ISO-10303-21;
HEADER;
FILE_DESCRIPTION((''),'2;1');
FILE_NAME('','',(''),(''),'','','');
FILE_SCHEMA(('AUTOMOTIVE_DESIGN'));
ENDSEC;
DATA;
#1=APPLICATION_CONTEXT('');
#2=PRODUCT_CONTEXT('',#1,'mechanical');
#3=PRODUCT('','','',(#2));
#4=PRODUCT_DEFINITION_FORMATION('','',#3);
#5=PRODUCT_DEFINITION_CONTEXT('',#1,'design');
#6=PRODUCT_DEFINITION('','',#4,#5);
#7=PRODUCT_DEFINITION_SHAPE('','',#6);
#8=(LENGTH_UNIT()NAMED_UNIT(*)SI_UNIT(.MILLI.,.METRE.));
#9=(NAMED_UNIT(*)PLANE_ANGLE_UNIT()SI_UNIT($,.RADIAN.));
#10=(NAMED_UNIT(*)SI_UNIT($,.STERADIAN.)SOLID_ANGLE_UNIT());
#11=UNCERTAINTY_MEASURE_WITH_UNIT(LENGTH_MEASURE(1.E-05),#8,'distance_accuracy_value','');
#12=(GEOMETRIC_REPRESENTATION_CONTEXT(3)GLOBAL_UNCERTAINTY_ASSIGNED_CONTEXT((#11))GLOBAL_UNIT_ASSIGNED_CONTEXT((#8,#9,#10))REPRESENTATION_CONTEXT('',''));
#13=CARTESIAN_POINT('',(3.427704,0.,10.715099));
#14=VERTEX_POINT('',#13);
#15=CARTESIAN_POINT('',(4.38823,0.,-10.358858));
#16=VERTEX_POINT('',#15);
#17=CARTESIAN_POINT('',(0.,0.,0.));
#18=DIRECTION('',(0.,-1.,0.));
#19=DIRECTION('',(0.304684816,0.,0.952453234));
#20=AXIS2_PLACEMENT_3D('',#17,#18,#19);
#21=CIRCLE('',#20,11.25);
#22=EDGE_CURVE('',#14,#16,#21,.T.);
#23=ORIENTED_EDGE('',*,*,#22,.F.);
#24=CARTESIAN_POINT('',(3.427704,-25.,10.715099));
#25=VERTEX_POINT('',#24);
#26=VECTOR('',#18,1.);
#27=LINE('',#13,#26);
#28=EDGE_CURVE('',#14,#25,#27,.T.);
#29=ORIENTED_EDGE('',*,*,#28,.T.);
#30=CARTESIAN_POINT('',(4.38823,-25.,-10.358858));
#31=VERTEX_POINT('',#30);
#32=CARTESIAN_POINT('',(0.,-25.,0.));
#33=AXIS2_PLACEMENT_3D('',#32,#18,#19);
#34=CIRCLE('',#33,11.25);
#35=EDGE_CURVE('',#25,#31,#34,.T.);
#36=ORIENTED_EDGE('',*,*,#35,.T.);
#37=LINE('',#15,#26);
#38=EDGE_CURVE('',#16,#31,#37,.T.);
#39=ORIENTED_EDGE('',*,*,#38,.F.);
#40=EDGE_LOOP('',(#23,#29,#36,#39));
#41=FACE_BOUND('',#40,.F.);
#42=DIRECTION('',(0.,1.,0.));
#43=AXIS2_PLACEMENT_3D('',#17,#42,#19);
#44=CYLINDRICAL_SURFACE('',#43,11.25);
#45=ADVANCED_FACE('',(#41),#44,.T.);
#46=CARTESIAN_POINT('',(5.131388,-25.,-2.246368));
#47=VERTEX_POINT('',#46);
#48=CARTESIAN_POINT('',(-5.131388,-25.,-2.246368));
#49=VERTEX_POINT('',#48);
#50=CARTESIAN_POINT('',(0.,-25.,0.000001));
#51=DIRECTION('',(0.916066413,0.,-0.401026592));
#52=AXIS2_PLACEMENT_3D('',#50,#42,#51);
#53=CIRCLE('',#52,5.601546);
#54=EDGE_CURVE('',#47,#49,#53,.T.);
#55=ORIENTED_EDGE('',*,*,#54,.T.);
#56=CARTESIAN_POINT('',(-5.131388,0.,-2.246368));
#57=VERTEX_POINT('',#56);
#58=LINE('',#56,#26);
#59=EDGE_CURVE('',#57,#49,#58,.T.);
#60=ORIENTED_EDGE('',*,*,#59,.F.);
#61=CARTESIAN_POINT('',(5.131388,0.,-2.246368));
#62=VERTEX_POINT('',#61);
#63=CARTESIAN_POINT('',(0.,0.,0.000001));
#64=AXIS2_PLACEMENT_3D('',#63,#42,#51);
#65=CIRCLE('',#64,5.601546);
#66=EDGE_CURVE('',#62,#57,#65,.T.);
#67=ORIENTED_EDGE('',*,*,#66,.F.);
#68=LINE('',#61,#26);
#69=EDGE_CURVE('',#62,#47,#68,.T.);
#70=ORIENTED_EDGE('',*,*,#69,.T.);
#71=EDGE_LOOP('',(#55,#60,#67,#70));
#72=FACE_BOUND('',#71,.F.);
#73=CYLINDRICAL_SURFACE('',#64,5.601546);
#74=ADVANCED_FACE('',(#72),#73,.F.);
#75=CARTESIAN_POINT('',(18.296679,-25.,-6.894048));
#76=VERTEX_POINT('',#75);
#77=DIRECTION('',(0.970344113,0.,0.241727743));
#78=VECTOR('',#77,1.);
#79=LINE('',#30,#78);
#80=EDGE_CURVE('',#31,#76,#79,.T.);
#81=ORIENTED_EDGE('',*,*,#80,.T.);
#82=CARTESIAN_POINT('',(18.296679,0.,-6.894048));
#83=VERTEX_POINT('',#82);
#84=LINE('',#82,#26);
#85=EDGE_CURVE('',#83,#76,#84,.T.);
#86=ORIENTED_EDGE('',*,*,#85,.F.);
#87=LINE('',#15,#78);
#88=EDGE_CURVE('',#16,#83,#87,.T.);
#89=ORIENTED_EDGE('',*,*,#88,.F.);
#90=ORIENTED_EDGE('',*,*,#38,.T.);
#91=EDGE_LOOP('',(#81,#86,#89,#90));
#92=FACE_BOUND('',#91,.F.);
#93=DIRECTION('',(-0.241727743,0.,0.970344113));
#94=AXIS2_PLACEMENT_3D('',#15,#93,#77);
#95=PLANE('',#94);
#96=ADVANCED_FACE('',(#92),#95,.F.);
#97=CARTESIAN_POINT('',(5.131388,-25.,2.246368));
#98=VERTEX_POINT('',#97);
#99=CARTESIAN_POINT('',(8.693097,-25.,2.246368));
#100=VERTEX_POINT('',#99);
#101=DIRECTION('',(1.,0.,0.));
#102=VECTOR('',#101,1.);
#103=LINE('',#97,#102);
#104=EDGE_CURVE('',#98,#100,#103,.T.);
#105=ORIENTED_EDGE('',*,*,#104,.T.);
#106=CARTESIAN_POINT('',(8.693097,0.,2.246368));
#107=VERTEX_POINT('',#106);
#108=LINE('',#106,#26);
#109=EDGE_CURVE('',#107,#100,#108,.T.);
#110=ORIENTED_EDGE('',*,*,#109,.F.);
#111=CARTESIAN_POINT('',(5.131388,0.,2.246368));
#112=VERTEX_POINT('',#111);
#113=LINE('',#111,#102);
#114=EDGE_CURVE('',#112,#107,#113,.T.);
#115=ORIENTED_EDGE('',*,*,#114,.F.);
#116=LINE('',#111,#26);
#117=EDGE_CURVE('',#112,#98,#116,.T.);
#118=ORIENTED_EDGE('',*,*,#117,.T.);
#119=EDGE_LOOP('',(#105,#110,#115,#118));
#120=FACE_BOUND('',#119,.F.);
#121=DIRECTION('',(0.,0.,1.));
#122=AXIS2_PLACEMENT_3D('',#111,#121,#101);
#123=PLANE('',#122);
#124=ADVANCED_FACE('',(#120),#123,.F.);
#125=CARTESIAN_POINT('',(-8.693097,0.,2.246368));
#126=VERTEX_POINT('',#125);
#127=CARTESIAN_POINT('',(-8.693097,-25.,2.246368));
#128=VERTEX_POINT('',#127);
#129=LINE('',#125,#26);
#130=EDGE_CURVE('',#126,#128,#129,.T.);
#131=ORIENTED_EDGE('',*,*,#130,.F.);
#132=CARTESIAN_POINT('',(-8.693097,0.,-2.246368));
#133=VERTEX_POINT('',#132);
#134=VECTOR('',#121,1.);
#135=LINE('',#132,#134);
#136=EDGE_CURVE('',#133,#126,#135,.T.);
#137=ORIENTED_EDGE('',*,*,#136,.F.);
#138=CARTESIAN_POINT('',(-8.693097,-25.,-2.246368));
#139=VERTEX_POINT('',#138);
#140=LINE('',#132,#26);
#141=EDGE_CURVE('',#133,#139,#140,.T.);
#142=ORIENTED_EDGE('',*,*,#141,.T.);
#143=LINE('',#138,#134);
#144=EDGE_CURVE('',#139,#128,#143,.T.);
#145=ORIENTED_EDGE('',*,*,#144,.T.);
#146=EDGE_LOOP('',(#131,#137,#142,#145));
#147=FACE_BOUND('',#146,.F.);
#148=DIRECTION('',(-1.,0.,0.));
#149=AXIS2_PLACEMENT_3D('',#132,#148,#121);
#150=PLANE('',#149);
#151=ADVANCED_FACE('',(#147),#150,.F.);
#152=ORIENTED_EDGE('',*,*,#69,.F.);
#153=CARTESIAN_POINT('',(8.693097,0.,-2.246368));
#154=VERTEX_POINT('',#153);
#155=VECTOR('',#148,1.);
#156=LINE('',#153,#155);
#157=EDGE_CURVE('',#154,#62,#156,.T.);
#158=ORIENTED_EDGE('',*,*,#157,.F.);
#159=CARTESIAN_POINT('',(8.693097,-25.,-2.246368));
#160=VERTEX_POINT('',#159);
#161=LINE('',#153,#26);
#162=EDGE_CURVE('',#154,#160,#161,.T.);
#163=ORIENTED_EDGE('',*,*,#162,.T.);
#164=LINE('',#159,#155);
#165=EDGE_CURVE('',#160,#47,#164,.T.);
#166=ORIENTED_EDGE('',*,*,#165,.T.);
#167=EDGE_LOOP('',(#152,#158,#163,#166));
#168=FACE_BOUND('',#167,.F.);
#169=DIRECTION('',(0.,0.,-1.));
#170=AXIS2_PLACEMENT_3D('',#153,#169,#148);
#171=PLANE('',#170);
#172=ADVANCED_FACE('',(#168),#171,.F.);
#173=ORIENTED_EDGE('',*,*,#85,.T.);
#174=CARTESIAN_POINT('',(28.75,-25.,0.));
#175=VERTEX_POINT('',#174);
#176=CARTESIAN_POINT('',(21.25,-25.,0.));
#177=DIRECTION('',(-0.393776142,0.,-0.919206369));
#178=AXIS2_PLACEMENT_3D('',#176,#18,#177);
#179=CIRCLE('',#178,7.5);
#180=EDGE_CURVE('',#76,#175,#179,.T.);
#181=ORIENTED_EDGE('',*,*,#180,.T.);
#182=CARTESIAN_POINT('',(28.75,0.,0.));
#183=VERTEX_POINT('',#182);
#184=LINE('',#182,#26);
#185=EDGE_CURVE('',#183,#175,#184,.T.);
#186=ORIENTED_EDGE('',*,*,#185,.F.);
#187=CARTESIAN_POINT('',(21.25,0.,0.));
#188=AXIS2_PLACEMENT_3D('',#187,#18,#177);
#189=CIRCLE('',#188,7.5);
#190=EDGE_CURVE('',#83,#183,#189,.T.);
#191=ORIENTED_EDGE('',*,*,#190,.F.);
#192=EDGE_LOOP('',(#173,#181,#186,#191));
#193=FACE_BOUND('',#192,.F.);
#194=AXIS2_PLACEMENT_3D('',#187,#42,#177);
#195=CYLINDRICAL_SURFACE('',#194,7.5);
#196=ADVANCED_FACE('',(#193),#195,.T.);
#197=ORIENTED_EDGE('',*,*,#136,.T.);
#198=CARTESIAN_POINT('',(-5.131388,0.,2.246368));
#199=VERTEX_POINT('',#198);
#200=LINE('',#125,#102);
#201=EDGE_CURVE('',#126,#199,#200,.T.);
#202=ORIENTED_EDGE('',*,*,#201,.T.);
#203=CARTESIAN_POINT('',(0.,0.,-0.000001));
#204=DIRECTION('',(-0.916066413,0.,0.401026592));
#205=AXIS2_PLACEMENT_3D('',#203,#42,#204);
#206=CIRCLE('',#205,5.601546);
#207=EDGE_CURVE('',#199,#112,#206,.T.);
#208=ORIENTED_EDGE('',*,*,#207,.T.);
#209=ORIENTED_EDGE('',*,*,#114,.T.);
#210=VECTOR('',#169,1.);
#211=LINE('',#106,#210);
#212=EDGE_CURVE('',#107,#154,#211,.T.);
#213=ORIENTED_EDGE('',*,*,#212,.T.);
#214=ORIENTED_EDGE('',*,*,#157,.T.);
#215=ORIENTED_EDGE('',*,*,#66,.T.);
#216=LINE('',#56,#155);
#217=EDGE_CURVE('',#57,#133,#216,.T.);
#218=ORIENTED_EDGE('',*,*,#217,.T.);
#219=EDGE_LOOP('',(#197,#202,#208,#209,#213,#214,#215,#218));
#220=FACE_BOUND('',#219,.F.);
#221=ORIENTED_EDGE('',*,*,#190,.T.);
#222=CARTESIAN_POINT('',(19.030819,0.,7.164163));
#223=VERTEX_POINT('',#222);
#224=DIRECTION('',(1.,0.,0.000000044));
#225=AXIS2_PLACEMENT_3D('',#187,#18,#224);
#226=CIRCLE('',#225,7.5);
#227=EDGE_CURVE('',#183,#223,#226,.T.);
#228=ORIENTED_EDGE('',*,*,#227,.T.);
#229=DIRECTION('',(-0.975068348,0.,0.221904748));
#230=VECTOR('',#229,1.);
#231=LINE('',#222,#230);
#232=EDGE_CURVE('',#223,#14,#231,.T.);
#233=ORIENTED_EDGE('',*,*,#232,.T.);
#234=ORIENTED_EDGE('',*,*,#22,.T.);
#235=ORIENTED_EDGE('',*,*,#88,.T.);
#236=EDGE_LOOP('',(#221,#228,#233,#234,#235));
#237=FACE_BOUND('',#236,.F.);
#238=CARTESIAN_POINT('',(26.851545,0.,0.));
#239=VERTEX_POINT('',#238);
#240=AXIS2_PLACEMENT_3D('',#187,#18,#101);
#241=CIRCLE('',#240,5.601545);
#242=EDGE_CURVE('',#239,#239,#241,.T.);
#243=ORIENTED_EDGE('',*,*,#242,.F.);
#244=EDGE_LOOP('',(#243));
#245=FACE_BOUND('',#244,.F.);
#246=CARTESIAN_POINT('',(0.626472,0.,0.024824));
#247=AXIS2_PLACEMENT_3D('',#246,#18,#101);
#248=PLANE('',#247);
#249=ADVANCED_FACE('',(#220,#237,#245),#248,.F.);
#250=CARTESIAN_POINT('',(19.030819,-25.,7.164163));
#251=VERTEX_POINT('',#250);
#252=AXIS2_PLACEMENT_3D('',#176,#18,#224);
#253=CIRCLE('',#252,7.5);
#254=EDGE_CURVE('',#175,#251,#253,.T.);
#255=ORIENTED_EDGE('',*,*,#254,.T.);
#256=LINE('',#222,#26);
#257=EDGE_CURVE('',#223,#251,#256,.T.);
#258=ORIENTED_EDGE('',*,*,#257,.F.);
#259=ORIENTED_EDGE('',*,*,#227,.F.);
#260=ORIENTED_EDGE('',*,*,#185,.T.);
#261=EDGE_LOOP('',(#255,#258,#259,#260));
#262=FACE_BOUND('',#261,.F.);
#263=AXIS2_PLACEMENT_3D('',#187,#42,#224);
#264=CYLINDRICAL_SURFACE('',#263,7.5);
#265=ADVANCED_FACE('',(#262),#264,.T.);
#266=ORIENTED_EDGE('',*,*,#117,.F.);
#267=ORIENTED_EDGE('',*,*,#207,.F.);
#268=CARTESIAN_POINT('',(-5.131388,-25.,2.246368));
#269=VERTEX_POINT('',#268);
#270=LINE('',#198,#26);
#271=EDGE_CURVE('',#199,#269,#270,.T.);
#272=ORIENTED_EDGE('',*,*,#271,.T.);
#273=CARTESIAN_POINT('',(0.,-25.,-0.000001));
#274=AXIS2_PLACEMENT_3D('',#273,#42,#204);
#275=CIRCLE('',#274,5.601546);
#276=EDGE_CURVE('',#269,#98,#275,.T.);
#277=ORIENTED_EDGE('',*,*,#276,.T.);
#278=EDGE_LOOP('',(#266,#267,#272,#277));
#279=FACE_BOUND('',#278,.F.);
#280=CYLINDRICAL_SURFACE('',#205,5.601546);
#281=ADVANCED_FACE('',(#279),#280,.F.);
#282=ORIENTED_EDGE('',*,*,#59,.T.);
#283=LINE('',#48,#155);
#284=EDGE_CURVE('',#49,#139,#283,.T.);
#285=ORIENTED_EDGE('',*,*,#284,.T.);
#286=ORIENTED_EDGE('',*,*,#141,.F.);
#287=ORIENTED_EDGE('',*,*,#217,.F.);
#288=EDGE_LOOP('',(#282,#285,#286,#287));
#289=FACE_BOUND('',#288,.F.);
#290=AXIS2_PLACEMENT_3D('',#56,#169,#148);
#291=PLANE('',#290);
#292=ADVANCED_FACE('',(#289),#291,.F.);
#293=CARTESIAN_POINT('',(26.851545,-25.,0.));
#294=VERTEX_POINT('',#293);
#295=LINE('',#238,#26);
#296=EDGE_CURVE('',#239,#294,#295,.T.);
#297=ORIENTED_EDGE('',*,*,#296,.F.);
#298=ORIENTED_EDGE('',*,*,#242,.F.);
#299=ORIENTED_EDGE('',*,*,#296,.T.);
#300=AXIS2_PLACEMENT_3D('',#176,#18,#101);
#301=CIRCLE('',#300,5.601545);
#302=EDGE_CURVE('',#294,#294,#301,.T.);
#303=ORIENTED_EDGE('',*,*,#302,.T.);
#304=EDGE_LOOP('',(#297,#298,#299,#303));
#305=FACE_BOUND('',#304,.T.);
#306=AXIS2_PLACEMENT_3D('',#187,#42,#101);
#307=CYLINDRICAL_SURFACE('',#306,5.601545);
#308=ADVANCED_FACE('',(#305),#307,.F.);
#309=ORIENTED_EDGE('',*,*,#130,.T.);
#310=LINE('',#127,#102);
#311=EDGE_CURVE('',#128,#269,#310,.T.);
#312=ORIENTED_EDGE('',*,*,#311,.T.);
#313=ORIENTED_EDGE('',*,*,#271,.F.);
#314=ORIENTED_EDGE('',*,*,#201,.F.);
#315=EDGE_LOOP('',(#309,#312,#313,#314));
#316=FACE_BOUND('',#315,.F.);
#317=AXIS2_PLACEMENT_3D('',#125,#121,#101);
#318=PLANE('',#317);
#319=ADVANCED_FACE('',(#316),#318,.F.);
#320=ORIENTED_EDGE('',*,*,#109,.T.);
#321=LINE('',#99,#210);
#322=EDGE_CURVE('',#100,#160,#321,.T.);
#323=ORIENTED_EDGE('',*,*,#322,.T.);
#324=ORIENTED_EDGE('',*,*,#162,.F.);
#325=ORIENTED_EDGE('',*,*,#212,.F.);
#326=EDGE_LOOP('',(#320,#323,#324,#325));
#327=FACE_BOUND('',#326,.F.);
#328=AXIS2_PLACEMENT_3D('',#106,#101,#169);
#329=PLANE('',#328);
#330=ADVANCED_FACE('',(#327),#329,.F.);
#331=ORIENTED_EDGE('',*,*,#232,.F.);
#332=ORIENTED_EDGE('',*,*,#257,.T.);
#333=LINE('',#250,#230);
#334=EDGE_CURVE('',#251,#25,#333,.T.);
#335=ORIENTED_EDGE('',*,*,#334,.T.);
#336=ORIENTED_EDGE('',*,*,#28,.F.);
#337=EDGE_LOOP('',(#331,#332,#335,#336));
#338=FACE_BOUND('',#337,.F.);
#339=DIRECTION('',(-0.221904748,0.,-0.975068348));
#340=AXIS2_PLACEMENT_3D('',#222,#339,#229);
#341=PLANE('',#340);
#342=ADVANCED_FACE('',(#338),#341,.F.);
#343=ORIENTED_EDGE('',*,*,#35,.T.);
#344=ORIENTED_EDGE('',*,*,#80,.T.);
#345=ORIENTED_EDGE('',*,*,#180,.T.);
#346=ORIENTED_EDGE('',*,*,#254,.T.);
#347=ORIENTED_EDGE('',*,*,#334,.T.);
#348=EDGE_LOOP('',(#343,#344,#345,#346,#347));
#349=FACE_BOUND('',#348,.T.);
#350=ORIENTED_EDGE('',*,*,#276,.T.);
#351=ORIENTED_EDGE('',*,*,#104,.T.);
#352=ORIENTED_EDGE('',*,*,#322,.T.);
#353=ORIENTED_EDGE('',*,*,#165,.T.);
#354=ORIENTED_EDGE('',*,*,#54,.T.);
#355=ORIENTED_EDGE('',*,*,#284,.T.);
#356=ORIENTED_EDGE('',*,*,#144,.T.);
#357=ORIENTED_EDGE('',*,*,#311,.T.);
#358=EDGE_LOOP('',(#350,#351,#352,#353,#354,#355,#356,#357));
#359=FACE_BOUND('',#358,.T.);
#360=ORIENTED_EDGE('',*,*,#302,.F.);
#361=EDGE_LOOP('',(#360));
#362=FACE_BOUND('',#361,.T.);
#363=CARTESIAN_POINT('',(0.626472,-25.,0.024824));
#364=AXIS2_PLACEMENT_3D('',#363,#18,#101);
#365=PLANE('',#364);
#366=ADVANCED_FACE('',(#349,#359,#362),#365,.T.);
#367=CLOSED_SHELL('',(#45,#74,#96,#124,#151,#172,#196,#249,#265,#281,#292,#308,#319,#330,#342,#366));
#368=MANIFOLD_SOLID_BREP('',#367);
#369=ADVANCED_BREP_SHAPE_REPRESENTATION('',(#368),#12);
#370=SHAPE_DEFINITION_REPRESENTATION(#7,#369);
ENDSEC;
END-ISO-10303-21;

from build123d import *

# Parameters (mm, degrees)
F0_R     = 5.601545
F1_DEPTH = 25


with BuildPart() as f1:
    # F0 (on Front) → F1 (new body)
    with BuildSketch(Plane.XZ):
        with BuildLine():
            ThreePointArc((4.38823, -10.358858), (9.378968, -6.212685), (11.25, 0))
            ThreePointArc((11.25, 0), (9.086368, 6.633281), (3.427704, 10.715099))
            ThreePointArc((3.427704, 10.715099), (-11.238333, -0.51223), (4.38823, -10.358858))
        make_face()
        with BuildLine():
            ThreePointArc((-5.131388, 2.246368), (0, 5.601545), (5.131388, 2.246368))
            Line((5.131388, 2.246368), (8.693097, 2.246368))
            Line((8.693097, 2.246368), (8.693097, -2.246368))
            Line((8.693097, -2.246368), (5.131388, -2.246368))
            ThreePointArc((5.131388, -2.246368), (0, -5.601545), (-5.131388, -2.246368))
            Line((-5.131388, -2.246368), (-8.693097, -2.246368))
            Line((-8.693097, -2.246368), (-8.693097, 2.246368))
            Line((-8.693097, 2.246368), (-5.131388, 2.246368))
        make_face(mode=Mode.SUBTRACT)
        with BuildLine():
            ThreePointArc((3.427704, 10.715099), (9.086368, 6.633281), (11.25, 0))
            ThreePointArc((11.25, 0), (9.378968, -6.212685), (4.38823, -10.358858))
            Line((4.38823, -10.358858), (18.296679, -6.894048))
            ThreePointArc((18.296679, -6.894048), (13.760206, 0.391127), (19.030819, 7.164163))
            Line((19.030819, 7.164163), (3.427704, 10.715099))
        make_face()
        with BuildLine():
            ThreePointArc((28.75, 0), (25.700064, 6.037129), (19.030819, 7.164163))
            ThreePointArc((19.030819, 7.164163), (13.760206, 0.391127), (18.296679, -6.894048))
            ThreePointArc((18.296679, -6.894048), (25.37917, -6.260987), (28.75, 0))
        make_face()
        with Locations((21.25, 0)):
            Circle(F0_R, mode=Mode.SUBTRACT)
    extrude(amount=F1_DEPTH)


solid = f1.part
